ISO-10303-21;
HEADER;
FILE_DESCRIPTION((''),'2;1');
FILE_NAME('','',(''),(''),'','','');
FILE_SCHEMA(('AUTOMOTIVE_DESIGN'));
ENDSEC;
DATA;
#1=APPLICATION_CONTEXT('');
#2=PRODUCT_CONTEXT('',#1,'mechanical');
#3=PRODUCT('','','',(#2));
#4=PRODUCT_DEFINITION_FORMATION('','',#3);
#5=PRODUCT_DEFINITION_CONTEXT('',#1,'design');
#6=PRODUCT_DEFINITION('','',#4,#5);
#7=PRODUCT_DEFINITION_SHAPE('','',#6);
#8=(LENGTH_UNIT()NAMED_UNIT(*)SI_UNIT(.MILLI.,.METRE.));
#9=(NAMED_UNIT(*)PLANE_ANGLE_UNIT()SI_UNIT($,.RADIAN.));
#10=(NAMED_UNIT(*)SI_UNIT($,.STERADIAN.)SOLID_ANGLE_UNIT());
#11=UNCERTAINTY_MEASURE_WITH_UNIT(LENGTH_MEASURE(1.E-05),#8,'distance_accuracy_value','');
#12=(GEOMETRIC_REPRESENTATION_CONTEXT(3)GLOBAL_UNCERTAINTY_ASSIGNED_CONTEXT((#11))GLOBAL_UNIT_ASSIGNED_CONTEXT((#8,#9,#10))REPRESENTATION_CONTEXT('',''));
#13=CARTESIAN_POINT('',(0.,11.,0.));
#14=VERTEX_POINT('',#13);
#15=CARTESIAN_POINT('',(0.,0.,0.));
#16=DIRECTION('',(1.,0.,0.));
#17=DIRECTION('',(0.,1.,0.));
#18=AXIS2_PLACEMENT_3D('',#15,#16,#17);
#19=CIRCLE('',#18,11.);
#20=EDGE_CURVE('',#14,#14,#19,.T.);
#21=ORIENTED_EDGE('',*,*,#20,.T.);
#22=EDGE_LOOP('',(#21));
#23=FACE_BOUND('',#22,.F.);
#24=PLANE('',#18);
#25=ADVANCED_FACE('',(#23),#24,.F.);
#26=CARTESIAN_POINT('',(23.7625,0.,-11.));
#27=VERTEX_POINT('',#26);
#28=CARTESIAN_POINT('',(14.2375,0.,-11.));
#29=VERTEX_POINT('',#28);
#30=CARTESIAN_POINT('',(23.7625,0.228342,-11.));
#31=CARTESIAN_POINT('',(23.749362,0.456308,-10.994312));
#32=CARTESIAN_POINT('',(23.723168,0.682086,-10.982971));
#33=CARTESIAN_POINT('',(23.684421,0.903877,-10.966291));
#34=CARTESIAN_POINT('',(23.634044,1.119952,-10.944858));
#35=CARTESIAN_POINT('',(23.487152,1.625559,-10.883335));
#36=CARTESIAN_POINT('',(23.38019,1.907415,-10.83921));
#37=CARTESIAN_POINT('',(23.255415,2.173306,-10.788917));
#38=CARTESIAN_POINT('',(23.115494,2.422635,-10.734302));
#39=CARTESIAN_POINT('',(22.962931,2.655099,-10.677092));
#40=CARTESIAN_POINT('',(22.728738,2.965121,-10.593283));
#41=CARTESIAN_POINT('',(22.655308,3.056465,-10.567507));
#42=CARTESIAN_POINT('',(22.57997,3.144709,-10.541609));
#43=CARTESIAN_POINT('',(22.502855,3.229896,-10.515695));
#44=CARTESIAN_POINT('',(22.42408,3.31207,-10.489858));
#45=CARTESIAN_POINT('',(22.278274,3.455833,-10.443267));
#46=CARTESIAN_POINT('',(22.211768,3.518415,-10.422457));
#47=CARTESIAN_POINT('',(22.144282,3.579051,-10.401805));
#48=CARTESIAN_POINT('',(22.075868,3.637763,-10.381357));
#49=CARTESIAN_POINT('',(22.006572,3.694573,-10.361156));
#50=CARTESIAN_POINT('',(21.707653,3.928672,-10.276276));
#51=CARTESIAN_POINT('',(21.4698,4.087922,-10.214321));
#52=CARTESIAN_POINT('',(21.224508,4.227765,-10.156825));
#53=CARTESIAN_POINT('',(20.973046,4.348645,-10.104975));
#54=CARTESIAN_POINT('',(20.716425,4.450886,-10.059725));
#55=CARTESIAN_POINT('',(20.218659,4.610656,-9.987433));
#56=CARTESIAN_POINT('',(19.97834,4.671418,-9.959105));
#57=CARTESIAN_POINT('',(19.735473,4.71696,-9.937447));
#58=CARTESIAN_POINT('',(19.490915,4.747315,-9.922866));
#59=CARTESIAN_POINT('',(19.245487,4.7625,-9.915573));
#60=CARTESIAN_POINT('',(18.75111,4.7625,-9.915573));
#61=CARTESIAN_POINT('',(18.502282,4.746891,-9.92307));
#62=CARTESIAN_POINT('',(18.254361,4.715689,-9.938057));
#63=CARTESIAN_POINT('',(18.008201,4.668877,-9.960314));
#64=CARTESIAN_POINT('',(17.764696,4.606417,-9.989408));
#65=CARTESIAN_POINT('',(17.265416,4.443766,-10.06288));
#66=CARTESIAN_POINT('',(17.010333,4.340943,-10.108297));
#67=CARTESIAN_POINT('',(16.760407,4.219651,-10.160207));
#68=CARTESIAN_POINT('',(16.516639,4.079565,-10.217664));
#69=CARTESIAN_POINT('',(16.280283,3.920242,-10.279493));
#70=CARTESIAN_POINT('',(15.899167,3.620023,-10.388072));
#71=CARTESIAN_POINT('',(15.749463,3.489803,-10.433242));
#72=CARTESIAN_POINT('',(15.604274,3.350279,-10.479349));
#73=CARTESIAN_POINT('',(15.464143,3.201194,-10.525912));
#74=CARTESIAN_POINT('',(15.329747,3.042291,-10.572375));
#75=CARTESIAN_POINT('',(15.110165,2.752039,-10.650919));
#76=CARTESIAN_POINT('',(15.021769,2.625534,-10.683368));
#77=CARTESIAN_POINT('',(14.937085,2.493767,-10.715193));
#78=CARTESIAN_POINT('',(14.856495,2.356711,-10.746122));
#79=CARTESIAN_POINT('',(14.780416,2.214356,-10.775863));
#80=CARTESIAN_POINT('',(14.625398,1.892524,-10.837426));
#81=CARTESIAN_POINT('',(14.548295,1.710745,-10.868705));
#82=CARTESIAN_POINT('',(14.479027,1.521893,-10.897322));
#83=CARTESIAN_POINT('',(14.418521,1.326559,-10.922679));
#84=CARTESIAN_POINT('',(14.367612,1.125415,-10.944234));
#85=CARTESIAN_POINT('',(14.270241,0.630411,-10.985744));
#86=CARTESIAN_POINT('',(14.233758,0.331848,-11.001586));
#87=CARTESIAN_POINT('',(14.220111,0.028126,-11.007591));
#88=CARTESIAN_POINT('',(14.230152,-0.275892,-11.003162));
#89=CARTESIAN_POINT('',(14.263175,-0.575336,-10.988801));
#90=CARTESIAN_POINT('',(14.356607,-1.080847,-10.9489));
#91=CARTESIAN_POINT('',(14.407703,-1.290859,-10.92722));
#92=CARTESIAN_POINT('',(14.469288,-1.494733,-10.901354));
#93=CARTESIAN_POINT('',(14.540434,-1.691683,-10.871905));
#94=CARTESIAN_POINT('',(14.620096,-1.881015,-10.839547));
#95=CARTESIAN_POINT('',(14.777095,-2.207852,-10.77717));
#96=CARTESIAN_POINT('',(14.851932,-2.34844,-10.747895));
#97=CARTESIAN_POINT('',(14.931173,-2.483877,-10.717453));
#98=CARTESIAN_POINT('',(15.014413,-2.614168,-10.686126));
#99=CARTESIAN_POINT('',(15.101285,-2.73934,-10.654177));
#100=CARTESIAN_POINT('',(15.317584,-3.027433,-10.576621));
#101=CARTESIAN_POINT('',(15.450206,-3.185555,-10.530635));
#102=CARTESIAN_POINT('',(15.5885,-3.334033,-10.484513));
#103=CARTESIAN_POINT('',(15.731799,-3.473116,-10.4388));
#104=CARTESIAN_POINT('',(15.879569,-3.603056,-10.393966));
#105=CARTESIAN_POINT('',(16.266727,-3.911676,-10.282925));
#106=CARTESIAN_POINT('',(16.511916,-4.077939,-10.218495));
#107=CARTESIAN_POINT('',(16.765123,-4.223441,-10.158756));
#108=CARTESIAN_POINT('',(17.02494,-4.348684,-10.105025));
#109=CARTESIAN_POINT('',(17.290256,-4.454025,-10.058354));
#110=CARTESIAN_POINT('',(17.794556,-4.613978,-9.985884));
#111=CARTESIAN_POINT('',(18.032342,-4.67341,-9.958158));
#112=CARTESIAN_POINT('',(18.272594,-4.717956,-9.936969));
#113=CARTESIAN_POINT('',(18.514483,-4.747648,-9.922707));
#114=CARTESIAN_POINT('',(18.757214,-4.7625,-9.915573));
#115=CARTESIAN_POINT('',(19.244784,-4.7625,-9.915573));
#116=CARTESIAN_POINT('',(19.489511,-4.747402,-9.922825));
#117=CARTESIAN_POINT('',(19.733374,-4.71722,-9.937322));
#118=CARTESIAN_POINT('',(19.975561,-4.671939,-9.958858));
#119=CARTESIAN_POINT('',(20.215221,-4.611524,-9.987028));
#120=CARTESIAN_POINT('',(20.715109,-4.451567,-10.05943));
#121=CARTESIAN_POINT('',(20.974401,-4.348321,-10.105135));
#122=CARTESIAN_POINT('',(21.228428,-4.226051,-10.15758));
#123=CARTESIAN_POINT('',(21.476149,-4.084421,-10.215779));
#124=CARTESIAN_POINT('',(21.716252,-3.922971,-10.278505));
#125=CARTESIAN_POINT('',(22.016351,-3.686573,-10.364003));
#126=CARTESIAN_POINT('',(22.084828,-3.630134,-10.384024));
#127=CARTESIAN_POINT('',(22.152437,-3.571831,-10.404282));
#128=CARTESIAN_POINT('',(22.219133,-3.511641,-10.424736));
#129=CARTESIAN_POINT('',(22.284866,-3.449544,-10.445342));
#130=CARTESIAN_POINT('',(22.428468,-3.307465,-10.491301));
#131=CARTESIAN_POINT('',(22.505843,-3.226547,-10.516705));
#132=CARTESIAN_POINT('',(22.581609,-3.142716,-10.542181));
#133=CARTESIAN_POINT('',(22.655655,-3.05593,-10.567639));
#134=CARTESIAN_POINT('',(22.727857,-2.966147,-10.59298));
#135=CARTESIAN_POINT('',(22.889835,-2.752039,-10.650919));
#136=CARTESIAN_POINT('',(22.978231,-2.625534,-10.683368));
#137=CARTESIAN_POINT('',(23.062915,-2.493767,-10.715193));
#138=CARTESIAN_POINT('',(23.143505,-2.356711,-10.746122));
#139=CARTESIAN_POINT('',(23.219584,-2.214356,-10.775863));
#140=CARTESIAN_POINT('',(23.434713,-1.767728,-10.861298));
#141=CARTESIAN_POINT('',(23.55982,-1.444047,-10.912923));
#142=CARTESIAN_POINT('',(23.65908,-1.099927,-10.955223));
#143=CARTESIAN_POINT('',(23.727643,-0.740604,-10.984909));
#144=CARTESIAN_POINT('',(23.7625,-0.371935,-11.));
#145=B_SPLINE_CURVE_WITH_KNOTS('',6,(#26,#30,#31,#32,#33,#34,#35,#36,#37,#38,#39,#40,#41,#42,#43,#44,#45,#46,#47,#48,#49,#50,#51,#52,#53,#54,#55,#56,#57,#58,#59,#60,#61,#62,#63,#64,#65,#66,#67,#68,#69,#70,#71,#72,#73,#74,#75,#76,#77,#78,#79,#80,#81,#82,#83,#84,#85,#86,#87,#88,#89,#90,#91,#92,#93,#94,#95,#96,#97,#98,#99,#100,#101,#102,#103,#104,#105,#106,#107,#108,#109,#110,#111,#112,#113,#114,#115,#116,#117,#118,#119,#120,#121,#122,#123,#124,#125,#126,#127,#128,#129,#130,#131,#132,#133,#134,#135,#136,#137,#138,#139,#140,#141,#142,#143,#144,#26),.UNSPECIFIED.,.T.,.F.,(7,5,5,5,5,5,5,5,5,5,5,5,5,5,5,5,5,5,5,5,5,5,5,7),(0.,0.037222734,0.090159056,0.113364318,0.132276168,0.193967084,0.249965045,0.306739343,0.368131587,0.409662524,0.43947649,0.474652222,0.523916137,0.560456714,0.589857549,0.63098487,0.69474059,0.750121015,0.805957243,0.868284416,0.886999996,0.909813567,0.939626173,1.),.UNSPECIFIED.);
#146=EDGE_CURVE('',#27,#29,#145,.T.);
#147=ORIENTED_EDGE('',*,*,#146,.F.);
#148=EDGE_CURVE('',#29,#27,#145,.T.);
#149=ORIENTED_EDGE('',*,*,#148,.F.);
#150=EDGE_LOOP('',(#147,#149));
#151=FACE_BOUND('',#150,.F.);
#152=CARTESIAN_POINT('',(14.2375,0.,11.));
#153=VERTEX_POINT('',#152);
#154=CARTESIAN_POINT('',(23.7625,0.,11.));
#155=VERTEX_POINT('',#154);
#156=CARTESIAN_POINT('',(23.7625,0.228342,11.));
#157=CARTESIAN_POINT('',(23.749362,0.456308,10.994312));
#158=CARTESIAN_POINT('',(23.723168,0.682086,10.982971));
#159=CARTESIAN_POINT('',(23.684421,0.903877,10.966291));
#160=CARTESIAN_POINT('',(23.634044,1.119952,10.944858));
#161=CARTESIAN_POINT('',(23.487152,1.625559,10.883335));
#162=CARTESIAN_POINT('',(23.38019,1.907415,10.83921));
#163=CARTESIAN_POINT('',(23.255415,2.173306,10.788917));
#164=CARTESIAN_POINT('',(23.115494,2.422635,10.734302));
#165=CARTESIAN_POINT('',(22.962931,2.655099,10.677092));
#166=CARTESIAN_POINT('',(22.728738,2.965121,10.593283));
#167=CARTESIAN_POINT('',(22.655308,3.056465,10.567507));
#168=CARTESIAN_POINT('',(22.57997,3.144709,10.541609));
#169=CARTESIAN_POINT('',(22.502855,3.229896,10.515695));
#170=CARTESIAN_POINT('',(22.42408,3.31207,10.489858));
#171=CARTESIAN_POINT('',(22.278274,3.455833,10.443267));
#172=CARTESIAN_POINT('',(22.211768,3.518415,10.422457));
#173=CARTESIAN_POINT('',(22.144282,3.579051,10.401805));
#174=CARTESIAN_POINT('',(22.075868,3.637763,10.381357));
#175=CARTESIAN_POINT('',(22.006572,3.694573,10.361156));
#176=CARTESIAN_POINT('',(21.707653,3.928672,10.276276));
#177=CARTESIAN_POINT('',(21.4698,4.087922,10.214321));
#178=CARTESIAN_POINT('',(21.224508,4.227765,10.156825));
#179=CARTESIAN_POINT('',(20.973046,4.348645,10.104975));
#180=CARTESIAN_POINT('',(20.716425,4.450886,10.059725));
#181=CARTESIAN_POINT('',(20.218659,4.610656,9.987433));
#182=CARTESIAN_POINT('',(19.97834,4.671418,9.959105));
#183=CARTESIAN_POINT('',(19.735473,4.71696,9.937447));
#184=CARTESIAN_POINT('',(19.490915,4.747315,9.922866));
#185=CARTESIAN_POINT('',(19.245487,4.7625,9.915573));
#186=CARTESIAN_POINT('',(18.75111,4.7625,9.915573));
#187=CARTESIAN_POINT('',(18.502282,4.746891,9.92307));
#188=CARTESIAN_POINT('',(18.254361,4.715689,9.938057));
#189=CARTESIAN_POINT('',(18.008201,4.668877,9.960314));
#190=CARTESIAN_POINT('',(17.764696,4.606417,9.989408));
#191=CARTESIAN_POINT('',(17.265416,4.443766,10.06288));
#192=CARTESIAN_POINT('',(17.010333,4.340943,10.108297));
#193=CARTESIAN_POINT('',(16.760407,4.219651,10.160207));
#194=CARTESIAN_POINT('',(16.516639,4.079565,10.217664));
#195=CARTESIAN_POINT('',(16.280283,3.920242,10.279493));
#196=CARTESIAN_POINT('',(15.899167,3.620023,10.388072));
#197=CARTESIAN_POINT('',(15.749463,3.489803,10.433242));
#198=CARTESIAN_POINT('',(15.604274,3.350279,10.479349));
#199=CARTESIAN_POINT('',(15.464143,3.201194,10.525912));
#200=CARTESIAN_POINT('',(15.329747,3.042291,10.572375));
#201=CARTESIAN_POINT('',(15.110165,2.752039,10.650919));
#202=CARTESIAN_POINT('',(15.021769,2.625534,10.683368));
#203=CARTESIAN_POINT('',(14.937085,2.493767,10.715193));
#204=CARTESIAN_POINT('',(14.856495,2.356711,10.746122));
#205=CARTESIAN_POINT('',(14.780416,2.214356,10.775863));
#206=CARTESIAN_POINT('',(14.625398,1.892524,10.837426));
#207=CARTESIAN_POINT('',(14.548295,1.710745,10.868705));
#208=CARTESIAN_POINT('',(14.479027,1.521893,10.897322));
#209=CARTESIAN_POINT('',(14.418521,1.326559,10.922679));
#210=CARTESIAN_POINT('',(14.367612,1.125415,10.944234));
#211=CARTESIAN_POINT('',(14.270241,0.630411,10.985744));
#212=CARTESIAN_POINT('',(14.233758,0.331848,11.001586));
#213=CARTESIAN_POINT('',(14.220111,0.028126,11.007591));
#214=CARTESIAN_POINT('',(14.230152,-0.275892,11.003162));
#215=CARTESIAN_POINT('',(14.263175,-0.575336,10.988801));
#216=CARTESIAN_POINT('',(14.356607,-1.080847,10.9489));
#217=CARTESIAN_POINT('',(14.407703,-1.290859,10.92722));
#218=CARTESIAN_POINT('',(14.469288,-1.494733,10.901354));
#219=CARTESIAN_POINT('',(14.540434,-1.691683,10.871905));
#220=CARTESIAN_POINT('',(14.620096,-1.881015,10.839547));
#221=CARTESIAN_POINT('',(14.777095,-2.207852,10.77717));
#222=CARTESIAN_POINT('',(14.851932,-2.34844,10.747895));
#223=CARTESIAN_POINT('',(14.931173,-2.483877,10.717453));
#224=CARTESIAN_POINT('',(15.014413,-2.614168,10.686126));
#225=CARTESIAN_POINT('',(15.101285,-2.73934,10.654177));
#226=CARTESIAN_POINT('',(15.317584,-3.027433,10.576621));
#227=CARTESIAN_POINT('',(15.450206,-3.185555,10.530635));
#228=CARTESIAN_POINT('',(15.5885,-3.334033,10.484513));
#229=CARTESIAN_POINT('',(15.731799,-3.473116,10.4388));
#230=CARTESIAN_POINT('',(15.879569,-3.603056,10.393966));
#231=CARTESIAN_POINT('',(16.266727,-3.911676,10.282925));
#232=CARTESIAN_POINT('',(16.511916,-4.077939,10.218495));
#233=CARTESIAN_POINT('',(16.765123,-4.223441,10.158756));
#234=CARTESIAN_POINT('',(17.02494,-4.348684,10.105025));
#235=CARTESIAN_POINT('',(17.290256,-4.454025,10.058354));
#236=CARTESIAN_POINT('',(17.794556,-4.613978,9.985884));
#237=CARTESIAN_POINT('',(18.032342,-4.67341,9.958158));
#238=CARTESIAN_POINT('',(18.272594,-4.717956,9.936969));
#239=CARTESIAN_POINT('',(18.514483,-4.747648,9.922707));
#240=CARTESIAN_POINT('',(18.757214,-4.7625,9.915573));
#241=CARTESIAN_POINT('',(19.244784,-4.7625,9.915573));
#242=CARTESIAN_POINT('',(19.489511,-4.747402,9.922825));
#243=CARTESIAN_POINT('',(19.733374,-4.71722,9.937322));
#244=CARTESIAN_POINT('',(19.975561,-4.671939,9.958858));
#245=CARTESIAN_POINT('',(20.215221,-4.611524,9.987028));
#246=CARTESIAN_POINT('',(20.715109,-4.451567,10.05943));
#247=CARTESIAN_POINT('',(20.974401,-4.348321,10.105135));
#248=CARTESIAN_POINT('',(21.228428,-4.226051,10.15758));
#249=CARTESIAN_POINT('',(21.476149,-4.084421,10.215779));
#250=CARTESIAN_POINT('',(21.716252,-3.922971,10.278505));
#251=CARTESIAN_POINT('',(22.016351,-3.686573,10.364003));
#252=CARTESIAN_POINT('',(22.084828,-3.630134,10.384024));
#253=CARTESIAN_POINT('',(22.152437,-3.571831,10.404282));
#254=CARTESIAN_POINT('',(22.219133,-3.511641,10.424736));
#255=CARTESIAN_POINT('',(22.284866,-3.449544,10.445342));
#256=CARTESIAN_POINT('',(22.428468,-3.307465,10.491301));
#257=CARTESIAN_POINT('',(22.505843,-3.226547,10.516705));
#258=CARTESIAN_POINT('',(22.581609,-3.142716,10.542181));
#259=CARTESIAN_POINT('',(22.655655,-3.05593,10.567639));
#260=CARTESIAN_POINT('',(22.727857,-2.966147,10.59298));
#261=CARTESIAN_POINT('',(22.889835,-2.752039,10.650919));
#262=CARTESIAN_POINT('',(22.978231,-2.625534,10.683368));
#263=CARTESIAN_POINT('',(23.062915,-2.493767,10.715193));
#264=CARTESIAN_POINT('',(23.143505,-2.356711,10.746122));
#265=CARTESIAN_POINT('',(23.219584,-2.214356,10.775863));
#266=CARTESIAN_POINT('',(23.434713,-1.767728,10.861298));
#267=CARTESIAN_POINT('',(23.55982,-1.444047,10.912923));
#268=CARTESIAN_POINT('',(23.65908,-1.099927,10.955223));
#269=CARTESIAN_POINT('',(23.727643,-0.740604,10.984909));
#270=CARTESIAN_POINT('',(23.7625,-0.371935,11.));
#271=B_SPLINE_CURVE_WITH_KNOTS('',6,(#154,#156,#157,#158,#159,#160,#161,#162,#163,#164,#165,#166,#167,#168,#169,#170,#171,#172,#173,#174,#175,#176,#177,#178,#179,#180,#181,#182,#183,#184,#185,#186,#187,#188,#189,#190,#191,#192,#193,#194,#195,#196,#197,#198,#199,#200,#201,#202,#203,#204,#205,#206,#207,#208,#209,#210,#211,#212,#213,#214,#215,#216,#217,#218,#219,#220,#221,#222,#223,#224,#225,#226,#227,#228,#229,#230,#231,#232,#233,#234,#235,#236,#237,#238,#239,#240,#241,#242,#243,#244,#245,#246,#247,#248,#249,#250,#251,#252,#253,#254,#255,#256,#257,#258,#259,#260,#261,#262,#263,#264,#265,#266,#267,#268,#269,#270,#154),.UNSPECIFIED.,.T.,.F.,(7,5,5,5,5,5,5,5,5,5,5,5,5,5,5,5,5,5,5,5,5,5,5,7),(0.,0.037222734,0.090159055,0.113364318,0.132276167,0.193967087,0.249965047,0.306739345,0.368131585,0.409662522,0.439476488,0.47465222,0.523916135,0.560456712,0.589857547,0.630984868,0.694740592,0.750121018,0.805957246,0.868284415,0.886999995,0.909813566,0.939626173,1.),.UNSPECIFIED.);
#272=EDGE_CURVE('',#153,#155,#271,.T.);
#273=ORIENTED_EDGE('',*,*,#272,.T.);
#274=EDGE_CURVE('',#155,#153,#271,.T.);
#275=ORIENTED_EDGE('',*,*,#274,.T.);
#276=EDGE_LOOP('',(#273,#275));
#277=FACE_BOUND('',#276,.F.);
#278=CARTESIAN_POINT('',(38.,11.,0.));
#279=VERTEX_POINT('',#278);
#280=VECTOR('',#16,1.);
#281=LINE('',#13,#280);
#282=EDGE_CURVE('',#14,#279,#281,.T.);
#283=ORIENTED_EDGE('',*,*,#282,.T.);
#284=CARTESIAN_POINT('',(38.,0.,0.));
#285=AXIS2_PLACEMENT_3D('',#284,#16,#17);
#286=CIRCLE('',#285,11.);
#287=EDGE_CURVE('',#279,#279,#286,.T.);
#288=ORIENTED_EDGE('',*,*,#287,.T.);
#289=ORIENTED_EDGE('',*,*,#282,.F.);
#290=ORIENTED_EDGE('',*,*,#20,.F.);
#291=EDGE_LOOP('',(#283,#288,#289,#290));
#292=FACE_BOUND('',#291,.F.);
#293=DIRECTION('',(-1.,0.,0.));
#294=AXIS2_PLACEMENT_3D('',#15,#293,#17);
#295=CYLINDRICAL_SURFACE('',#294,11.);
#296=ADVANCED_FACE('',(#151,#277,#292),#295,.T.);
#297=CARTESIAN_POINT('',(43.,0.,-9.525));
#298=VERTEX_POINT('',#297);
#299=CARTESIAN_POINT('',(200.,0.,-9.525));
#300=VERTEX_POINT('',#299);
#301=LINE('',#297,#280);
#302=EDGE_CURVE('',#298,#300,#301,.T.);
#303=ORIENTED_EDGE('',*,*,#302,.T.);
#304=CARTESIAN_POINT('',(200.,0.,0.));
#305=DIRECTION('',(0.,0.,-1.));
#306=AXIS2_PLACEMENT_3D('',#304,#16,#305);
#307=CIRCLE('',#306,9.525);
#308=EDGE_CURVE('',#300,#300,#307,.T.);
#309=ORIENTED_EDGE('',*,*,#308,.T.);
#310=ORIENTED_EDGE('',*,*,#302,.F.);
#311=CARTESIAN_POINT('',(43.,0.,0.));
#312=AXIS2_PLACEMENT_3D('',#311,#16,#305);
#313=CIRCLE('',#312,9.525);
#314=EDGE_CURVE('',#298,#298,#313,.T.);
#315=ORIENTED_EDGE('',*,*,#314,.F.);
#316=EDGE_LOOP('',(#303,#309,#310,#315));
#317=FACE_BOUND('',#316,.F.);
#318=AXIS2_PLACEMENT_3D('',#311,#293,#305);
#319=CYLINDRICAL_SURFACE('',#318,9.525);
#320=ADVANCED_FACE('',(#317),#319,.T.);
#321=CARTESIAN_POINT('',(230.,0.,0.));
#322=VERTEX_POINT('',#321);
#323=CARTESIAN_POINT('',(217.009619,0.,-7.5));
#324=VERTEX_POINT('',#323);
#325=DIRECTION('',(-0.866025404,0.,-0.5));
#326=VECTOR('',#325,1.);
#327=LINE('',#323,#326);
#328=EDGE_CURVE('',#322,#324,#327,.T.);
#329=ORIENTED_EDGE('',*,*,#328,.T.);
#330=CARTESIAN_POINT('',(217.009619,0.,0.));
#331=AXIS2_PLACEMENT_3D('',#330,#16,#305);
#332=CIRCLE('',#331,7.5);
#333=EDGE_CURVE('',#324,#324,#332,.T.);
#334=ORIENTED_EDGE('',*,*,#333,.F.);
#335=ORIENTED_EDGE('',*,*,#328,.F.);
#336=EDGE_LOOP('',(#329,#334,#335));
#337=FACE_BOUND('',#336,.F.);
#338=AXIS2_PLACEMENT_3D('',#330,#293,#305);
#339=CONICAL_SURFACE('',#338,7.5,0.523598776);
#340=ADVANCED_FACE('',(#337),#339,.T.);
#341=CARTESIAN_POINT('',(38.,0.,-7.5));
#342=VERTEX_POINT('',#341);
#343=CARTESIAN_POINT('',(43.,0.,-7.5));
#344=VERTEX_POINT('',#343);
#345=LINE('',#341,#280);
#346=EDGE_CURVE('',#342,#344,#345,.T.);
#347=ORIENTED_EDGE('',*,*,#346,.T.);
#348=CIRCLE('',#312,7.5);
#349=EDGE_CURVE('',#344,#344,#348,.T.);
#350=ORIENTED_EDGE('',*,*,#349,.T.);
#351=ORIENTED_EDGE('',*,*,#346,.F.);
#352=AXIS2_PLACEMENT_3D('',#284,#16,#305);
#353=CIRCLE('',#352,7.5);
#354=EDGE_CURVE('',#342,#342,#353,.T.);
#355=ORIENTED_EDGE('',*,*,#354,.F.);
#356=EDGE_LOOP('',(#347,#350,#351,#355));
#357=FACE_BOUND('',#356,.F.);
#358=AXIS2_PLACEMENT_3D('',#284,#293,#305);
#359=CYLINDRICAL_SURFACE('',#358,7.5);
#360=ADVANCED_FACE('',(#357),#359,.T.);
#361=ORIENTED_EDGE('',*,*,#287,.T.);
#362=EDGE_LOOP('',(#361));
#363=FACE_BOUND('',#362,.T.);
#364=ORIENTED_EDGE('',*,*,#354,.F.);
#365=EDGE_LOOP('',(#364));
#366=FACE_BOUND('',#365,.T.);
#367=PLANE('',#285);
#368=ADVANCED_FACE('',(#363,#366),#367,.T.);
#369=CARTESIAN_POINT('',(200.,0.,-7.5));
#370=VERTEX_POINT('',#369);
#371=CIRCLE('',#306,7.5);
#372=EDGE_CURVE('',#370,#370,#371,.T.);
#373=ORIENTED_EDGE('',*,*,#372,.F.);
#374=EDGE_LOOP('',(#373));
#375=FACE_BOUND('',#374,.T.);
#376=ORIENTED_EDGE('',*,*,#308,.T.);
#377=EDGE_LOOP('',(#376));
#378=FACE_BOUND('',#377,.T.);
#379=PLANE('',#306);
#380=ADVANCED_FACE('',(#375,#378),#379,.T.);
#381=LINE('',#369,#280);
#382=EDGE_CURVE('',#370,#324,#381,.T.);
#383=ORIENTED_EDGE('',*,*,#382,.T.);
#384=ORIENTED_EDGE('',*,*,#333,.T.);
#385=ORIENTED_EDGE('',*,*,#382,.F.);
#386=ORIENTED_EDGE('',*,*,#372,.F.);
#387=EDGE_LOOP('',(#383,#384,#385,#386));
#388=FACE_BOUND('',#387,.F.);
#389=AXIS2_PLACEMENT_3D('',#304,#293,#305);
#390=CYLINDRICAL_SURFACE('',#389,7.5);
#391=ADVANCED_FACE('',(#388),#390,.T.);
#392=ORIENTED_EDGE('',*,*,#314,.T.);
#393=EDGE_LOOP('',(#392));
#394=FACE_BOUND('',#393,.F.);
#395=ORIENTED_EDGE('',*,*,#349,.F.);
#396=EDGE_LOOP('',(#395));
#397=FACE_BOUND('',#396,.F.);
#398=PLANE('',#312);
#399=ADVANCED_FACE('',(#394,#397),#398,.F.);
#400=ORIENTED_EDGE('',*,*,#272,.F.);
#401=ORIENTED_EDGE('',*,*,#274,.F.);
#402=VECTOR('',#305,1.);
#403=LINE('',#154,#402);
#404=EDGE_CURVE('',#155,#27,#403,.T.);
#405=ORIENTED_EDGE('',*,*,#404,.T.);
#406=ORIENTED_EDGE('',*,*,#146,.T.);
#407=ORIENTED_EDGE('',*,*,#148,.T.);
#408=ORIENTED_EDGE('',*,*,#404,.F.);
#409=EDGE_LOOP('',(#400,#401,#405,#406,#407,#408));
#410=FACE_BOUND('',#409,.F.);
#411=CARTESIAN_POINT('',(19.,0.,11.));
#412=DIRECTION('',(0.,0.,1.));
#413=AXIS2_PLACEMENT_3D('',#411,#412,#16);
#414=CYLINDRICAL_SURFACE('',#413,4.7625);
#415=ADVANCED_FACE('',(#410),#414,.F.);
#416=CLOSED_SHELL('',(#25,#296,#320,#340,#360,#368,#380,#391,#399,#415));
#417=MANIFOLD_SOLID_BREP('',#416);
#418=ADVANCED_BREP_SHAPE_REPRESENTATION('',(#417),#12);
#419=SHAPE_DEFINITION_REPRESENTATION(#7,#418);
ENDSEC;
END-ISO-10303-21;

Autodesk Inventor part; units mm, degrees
ref_plane "YZ Plane" through (0, 0, 0) normal (1, 0, 0) x (0, 1, 0)
ref_plane "XZ Plane" through (0, 0, 0) normal (0, 1, 0) x (-1, 0, 0)
sketch "Sketch1" plane through (0, 0, 0) normal (1, 0, 0) x (0, 1, 0)
  circle A0 centre (0, 0) radius 11
  dimension "d0" = 22
extrude "Extrusion1" add sketch "Sketch1" along normal blind 38
sketch "Sketch2" plane through (38, 0, 0) normal (1, 0, 0) x (0, 0, -1)
  circle A0 centre (0, 0) radius 7.5
  dimension "d3" = 15
extrude "Extrusion2" add sketch "Sketch2" along normal blind 5
ref_plane "Work Plane1" through (0, 0, 11) normal (0, 0, 1) x (1, 0, 0)
sketch "Sketch3" plane through (0, 0, 11) normal (0, 0, 1) x (1, 0, 0)
  line L0 (0, 0) -> (19, 0) construction
  circle A0 centre (19, 0) radius 4.7625
  dimension "d7" = 19
  dimension "d8" = 9.525
extrude "Extrusion3" cut sketch "Sketch3" against normal blind 22
sketch "Sketch4" plane through (43, 0, 0) normal (1, 0, 0) x (0, 0, -1)
  circle A0 centre (0, 0) radius 9.525
  dimension "d11" = 19.05
extrude "Extrusion4" add sketch "Sketch4" along normal blind 157
sketch "Sketch5" plane through (200, 0, 0) normal (1, 0, 0) x (0, 0, -1)
  circle A0 centre (0, 0) radius 7.5
  dimension "d14" = 15
extrude "Extrusion5" add sketch "Sketch5" along normal blind 30
chamfer "Chamfer1" distance 7.5 angle 60 1 edges at (230, 0, 7.5) measured on face at (230, -0.5635, 2.141)
thread "Thread1" size "M20x1.5" class "6g" standard "ANSI Metric M Profile" full length
properties part number "parafuso"
